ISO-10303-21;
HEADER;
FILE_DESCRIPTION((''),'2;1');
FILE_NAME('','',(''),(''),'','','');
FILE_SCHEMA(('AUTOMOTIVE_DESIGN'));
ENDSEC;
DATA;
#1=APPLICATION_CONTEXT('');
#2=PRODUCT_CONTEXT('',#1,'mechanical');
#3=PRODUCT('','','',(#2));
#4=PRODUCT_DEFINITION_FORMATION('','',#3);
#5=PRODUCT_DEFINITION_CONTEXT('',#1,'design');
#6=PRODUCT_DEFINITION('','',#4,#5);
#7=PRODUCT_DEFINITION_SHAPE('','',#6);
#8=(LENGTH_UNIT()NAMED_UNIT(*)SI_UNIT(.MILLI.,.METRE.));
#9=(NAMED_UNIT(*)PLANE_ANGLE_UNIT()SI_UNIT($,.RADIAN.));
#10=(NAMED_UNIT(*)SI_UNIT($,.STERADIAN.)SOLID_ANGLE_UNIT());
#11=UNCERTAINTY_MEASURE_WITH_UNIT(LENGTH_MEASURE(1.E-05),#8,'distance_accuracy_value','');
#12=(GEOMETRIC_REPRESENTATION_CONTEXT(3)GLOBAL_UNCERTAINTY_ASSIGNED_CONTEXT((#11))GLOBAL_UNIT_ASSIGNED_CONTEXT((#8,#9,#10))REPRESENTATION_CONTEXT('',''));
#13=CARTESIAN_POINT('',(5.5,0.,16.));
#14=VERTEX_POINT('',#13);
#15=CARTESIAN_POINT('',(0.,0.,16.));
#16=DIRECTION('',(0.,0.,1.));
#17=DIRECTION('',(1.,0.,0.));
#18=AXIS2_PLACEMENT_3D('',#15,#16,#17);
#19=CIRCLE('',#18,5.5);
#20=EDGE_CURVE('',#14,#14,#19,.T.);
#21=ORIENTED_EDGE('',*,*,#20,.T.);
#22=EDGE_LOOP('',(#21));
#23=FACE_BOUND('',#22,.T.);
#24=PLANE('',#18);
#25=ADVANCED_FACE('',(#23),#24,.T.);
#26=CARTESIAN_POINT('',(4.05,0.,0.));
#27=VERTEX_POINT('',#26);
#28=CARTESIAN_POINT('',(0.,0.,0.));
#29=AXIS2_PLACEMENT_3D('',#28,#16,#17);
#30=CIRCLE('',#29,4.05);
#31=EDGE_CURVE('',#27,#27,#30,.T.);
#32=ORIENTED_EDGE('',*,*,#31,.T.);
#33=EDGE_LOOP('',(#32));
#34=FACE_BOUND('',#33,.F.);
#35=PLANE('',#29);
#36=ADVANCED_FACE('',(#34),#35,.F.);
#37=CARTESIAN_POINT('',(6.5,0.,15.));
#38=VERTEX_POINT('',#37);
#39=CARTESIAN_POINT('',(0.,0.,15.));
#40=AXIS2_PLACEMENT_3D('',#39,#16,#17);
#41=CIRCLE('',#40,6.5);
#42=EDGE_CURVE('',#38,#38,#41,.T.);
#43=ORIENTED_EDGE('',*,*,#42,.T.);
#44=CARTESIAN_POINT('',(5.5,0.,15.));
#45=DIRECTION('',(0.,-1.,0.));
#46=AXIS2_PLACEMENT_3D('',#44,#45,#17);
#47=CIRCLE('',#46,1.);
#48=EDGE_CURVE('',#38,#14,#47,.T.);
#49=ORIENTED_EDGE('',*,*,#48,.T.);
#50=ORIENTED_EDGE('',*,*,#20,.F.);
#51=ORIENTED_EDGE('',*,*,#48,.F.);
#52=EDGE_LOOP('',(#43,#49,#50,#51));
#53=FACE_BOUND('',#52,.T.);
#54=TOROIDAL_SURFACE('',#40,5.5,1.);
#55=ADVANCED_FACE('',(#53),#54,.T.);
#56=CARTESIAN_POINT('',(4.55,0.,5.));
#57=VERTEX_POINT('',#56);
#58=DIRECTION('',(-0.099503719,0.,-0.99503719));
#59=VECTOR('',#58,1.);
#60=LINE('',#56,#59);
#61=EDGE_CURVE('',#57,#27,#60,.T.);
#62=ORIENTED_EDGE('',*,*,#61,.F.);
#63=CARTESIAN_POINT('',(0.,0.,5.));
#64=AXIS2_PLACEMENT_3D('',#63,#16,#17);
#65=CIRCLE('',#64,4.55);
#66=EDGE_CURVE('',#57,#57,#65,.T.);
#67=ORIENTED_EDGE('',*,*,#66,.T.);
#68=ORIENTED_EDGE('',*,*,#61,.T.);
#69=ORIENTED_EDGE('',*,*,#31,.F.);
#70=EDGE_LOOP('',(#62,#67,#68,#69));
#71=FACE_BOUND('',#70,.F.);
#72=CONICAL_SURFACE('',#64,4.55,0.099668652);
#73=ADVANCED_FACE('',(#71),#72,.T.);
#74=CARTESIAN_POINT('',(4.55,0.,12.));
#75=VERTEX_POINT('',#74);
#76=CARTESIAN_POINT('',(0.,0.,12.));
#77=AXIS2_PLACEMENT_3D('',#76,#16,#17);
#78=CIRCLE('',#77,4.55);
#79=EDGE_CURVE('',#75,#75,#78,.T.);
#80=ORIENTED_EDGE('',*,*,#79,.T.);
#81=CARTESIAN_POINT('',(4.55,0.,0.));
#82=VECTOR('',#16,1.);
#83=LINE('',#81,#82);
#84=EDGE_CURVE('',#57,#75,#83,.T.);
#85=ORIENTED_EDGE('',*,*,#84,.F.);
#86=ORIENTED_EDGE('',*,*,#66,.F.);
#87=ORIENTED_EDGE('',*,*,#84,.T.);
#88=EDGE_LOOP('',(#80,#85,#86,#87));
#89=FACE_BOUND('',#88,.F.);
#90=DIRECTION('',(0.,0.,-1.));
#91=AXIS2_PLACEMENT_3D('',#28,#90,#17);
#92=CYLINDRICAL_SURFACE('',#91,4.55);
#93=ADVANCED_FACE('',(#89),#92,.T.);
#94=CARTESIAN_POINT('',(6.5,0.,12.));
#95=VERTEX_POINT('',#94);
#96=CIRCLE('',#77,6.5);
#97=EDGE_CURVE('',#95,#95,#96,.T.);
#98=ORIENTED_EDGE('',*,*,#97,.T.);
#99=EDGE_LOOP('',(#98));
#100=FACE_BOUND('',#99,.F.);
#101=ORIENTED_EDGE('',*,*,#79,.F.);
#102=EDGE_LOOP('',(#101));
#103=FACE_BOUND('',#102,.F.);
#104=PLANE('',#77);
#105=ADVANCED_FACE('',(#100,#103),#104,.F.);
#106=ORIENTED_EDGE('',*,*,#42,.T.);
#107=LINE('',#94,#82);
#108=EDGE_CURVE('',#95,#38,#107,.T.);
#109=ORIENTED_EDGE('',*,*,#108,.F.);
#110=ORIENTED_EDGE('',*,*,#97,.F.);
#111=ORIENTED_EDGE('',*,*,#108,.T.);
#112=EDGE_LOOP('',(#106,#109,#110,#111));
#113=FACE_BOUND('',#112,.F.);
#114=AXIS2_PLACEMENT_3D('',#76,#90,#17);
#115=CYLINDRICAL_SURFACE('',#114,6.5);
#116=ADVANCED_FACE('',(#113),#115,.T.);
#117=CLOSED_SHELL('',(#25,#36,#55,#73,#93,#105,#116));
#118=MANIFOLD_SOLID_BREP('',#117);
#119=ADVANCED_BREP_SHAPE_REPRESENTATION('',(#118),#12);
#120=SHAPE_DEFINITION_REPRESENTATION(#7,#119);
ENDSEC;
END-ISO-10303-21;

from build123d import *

# Parameters (mm, degrees)
F0_R     = 4.55
F1_DEPTH = 12
F2_SIZE2 = 0.5
F2_SIZE  = 5
F3_R     = 6.5
F3_R_2   = 4.55
F4_DEPTH = 4
F5_R     = 1


with BuildPart() as f1:
    # F0 (on Top) → F1 (new body)
    with BuildSketch(Plane.XY):
        Circle(F0_R)
    extrude(amount=F1_DEPTH)

    # F2
    f2_edges = [f1.edges().sort_by_distance(p)[0] for p in [
        (-4.55, 0, 0),
    ]]
    chamfer(f2_edges, length=F2_SIZE, length2=F2_SIZE2)

    # F3 (on face) → F4 (join)
    with BuildSketch(Plane.XY.offset(12)):
        Circle(F3_R)
        Circle(F3_R_2, mode=Mode.SUBTRACT)
        Circle(F3_R_2)
    extrude(amount=F4_DEPTH)

    # F5
    f5_edges = [f1.edges().sort_by_distance(p)[0] for p in [
        (-6.5, 0, 16),
    ]]
    fillet(f5_edges, radius=F5_R)


solid = f1.part
